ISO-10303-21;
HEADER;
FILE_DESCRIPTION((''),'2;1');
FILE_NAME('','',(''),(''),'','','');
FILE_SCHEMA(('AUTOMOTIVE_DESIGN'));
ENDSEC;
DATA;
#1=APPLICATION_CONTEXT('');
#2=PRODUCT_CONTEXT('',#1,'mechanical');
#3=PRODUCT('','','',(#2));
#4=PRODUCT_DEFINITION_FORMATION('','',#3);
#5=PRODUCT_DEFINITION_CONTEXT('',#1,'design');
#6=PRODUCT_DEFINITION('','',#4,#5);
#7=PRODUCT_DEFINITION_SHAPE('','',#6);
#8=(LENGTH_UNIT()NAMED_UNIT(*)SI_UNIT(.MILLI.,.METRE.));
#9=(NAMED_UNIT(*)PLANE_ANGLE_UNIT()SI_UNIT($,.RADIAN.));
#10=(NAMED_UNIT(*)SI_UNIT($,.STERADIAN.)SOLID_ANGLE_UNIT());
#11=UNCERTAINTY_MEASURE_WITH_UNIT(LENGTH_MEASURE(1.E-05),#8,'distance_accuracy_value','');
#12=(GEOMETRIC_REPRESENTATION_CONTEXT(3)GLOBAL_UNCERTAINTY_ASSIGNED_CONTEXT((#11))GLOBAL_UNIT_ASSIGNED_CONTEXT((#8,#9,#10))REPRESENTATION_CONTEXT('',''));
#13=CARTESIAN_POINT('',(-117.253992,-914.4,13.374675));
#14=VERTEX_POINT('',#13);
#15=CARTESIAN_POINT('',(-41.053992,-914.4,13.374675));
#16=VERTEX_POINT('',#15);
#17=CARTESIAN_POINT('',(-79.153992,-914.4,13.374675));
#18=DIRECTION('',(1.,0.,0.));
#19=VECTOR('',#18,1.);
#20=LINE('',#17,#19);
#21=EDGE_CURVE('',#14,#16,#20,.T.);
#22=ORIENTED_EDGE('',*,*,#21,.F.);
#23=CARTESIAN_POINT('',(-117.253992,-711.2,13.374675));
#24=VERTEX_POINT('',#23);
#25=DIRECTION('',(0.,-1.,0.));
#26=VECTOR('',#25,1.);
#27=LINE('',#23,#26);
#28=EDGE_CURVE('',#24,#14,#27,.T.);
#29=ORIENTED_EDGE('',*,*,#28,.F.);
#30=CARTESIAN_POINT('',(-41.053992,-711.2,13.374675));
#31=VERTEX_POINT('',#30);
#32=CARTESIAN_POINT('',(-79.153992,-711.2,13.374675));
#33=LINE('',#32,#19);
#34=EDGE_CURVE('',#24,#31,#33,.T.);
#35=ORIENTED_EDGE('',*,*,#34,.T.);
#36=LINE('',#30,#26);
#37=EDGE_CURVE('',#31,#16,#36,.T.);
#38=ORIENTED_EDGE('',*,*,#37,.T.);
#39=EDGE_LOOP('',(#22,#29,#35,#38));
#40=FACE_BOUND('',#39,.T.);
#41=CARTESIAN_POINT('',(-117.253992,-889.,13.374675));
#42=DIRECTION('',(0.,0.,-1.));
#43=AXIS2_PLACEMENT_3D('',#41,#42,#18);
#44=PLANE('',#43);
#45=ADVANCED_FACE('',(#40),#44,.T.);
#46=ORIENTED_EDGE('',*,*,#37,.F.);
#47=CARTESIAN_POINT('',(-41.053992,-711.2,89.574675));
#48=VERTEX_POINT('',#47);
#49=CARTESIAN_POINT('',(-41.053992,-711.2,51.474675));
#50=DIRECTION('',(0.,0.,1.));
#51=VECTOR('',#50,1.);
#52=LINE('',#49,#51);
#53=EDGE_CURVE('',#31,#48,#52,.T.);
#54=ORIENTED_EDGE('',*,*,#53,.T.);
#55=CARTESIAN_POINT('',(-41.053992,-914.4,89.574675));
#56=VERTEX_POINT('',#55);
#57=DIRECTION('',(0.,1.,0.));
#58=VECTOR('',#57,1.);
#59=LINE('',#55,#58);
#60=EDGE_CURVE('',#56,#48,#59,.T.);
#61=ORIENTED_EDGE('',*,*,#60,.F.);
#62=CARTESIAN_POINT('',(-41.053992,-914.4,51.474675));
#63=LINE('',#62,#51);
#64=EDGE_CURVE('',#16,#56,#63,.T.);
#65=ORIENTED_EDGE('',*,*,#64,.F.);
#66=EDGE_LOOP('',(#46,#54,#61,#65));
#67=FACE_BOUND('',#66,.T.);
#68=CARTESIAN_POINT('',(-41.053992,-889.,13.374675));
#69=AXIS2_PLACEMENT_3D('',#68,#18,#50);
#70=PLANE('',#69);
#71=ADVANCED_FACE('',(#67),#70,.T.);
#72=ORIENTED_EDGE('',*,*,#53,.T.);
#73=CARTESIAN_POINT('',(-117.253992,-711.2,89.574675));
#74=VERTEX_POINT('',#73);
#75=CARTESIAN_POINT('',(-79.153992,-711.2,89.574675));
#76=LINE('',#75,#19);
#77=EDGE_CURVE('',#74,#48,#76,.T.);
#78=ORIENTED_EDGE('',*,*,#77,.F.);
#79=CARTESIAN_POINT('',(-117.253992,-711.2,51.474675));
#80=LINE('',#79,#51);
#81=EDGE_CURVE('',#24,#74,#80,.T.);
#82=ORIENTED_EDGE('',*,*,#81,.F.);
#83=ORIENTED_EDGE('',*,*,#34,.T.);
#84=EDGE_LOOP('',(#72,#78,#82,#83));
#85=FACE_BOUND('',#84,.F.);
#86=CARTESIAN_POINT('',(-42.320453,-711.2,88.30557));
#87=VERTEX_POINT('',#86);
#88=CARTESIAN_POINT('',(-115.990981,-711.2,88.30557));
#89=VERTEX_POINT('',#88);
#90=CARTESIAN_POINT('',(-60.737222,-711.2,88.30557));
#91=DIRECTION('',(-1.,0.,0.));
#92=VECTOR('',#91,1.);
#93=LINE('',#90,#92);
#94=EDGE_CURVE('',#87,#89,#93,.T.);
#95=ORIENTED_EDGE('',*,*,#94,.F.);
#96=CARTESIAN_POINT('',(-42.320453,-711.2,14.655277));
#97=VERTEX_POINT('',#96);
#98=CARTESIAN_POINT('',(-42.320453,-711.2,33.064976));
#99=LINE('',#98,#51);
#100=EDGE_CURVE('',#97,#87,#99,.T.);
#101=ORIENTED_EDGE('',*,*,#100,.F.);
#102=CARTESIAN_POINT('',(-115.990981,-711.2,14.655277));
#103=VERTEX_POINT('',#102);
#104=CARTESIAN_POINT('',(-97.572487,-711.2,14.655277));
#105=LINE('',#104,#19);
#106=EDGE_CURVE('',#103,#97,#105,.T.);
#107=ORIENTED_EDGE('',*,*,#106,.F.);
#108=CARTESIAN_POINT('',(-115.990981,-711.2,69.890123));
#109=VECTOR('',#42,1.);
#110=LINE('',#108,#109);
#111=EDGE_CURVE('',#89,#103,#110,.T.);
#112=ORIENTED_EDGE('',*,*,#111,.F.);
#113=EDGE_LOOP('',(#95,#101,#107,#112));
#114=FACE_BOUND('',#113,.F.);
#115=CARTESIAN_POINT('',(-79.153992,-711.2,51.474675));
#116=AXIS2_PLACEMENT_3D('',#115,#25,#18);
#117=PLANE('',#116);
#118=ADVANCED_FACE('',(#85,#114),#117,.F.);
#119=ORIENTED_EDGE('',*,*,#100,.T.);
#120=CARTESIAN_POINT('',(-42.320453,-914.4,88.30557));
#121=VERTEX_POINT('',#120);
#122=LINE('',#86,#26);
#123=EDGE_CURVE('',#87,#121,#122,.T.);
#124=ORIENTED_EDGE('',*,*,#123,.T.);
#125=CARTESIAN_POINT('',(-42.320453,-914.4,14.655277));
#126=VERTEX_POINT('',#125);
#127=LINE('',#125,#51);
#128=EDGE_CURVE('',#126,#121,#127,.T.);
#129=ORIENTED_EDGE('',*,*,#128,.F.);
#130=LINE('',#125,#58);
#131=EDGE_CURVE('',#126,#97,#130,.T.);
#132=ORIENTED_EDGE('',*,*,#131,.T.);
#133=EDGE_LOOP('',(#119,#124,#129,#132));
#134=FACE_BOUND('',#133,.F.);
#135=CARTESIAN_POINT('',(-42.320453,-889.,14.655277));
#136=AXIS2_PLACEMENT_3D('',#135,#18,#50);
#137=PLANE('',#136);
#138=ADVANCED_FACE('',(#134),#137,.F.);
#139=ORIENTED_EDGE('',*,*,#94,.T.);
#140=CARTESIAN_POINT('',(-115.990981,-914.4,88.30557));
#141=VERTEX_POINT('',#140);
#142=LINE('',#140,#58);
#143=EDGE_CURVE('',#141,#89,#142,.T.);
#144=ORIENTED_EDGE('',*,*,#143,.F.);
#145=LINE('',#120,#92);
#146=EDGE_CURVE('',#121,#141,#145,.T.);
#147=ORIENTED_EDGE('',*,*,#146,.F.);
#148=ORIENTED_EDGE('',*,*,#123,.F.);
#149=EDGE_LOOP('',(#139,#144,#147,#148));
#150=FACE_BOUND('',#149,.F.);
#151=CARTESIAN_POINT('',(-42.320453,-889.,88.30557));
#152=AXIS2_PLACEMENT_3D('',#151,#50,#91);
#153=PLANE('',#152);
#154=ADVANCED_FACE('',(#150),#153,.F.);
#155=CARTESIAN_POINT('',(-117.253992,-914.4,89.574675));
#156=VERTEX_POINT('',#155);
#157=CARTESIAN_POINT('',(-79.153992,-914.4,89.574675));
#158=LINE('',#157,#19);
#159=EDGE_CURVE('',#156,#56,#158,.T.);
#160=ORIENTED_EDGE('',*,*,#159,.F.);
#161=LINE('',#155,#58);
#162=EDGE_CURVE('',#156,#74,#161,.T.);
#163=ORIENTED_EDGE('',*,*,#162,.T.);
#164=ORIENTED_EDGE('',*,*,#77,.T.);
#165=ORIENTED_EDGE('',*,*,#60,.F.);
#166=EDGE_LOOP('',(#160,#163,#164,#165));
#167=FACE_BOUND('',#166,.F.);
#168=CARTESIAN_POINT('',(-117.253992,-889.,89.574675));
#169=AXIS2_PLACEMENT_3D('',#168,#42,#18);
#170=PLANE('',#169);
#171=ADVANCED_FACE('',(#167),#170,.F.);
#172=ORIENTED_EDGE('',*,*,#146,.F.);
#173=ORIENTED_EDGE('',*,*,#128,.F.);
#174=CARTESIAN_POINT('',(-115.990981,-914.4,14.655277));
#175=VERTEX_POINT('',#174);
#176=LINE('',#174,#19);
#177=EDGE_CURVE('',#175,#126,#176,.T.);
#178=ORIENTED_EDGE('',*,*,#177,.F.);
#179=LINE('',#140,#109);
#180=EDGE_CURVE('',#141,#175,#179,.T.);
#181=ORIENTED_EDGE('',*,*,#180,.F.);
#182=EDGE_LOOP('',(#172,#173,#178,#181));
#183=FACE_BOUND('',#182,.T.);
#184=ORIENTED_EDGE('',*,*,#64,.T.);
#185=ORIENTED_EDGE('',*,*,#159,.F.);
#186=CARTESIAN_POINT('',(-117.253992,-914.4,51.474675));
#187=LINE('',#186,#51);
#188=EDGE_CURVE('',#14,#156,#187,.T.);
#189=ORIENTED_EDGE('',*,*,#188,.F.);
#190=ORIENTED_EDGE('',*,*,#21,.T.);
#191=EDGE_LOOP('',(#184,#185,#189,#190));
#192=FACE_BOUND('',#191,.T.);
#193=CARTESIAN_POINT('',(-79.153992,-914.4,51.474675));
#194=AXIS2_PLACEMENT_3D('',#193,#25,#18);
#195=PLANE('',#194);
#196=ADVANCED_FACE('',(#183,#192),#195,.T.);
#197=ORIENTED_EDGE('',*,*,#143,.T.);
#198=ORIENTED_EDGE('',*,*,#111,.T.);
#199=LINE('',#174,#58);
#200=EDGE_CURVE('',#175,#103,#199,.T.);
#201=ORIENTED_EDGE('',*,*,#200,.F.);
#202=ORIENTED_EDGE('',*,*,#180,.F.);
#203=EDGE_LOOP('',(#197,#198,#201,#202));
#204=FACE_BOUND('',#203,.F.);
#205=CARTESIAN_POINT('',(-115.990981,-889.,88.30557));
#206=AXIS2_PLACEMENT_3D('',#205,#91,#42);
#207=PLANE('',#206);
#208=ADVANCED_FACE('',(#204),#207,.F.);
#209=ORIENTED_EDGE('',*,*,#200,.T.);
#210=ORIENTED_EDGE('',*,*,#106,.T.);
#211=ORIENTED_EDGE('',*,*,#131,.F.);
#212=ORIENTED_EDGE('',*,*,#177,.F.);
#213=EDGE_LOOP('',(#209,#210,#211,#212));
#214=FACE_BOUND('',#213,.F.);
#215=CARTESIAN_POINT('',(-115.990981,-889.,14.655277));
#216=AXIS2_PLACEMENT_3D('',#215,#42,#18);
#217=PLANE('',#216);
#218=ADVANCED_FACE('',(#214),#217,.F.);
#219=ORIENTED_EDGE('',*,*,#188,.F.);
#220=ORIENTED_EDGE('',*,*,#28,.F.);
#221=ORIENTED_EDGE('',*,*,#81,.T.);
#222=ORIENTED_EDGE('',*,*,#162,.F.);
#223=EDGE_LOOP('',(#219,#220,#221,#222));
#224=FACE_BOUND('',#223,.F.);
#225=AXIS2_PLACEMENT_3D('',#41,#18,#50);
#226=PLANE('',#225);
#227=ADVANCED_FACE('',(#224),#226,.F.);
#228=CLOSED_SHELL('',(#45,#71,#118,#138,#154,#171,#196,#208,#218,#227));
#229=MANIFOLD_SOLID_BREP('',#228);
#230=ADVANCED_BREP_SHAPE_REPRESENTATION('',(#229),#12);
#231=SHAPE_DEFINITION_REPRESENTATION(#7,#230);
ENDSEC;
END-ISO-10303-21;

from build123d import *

# Parameters (mm, degrees)
F0_W     = 76.2
F0_H     = 76.2
F1_DEPTH = 609.6
F3_DEPTH = 914.4
F4_DEPTH = 304.8
F5_DEPTH = 508
F6_DEPTH = 381
F7_DEPTH = 177.8


with BuildPart() as f1:
    # F0 (on Front) → F1 (new body)
    with BuildSketch(Plane.XZ):
        with Locations((-79.1539917648, 51.4746750653)):
            Rectangle(F0_W, F0_H)
    extrude(amount=F1_DEPTH)

    # F2 (on face) → F3 (cut)
    with BuildSketch(Plane.XZ.offset(609.6)):
        Polygon((-42.3204526305, 88.3055701852), (-98.6881405115, 88.3055701852), (-115.9909814596, 88.3055701852), (-115.9909814596, 14.655277133), (-42.3204526305, 14.655277133), align=None)
    extrude(amount=-F3_DEPTH, mode=Mode.SUBTRACT)

    # F4 (add): a face of the model
    f4_faces = [f1.faces().sort_by_distance(p)[0] for p in [
        (-42.1316224993, -609.6, 51.4746750653),
    ]]
    extrude(f4_faces, amount=F4_DEPTH)

    # F5 (cut): a face of the model
    f5_faces = [f1.faces().sort_by_distance(p)[0] for p in [
        (-42.1316224993, 0, 51.4746750653),
    ]]
    extrude(f5_faces, amount=-F5_DEPTH, mode=Mode.SUBTRACT)

    # F6 (cut): a face of the model
    f6_faces = [f1.faces().sort_by_distance(p)[0] for p in [
        (-42.1316224993, -508, 51.4746750653),
    ]]
    extrude(f6_faces, amount=-F6_DEPTH, mode=Mode.SUBTRACT)

    # F7 (add): a face of the model
    f7_faces = [f1.faces().sort_by_distance(p)[0] for p in [
        (-42.1316224993, -889, 51.4746750653),
    ]]
    extrude(f7_faces, amount=F7_DEPTH)


solid = f1.part
